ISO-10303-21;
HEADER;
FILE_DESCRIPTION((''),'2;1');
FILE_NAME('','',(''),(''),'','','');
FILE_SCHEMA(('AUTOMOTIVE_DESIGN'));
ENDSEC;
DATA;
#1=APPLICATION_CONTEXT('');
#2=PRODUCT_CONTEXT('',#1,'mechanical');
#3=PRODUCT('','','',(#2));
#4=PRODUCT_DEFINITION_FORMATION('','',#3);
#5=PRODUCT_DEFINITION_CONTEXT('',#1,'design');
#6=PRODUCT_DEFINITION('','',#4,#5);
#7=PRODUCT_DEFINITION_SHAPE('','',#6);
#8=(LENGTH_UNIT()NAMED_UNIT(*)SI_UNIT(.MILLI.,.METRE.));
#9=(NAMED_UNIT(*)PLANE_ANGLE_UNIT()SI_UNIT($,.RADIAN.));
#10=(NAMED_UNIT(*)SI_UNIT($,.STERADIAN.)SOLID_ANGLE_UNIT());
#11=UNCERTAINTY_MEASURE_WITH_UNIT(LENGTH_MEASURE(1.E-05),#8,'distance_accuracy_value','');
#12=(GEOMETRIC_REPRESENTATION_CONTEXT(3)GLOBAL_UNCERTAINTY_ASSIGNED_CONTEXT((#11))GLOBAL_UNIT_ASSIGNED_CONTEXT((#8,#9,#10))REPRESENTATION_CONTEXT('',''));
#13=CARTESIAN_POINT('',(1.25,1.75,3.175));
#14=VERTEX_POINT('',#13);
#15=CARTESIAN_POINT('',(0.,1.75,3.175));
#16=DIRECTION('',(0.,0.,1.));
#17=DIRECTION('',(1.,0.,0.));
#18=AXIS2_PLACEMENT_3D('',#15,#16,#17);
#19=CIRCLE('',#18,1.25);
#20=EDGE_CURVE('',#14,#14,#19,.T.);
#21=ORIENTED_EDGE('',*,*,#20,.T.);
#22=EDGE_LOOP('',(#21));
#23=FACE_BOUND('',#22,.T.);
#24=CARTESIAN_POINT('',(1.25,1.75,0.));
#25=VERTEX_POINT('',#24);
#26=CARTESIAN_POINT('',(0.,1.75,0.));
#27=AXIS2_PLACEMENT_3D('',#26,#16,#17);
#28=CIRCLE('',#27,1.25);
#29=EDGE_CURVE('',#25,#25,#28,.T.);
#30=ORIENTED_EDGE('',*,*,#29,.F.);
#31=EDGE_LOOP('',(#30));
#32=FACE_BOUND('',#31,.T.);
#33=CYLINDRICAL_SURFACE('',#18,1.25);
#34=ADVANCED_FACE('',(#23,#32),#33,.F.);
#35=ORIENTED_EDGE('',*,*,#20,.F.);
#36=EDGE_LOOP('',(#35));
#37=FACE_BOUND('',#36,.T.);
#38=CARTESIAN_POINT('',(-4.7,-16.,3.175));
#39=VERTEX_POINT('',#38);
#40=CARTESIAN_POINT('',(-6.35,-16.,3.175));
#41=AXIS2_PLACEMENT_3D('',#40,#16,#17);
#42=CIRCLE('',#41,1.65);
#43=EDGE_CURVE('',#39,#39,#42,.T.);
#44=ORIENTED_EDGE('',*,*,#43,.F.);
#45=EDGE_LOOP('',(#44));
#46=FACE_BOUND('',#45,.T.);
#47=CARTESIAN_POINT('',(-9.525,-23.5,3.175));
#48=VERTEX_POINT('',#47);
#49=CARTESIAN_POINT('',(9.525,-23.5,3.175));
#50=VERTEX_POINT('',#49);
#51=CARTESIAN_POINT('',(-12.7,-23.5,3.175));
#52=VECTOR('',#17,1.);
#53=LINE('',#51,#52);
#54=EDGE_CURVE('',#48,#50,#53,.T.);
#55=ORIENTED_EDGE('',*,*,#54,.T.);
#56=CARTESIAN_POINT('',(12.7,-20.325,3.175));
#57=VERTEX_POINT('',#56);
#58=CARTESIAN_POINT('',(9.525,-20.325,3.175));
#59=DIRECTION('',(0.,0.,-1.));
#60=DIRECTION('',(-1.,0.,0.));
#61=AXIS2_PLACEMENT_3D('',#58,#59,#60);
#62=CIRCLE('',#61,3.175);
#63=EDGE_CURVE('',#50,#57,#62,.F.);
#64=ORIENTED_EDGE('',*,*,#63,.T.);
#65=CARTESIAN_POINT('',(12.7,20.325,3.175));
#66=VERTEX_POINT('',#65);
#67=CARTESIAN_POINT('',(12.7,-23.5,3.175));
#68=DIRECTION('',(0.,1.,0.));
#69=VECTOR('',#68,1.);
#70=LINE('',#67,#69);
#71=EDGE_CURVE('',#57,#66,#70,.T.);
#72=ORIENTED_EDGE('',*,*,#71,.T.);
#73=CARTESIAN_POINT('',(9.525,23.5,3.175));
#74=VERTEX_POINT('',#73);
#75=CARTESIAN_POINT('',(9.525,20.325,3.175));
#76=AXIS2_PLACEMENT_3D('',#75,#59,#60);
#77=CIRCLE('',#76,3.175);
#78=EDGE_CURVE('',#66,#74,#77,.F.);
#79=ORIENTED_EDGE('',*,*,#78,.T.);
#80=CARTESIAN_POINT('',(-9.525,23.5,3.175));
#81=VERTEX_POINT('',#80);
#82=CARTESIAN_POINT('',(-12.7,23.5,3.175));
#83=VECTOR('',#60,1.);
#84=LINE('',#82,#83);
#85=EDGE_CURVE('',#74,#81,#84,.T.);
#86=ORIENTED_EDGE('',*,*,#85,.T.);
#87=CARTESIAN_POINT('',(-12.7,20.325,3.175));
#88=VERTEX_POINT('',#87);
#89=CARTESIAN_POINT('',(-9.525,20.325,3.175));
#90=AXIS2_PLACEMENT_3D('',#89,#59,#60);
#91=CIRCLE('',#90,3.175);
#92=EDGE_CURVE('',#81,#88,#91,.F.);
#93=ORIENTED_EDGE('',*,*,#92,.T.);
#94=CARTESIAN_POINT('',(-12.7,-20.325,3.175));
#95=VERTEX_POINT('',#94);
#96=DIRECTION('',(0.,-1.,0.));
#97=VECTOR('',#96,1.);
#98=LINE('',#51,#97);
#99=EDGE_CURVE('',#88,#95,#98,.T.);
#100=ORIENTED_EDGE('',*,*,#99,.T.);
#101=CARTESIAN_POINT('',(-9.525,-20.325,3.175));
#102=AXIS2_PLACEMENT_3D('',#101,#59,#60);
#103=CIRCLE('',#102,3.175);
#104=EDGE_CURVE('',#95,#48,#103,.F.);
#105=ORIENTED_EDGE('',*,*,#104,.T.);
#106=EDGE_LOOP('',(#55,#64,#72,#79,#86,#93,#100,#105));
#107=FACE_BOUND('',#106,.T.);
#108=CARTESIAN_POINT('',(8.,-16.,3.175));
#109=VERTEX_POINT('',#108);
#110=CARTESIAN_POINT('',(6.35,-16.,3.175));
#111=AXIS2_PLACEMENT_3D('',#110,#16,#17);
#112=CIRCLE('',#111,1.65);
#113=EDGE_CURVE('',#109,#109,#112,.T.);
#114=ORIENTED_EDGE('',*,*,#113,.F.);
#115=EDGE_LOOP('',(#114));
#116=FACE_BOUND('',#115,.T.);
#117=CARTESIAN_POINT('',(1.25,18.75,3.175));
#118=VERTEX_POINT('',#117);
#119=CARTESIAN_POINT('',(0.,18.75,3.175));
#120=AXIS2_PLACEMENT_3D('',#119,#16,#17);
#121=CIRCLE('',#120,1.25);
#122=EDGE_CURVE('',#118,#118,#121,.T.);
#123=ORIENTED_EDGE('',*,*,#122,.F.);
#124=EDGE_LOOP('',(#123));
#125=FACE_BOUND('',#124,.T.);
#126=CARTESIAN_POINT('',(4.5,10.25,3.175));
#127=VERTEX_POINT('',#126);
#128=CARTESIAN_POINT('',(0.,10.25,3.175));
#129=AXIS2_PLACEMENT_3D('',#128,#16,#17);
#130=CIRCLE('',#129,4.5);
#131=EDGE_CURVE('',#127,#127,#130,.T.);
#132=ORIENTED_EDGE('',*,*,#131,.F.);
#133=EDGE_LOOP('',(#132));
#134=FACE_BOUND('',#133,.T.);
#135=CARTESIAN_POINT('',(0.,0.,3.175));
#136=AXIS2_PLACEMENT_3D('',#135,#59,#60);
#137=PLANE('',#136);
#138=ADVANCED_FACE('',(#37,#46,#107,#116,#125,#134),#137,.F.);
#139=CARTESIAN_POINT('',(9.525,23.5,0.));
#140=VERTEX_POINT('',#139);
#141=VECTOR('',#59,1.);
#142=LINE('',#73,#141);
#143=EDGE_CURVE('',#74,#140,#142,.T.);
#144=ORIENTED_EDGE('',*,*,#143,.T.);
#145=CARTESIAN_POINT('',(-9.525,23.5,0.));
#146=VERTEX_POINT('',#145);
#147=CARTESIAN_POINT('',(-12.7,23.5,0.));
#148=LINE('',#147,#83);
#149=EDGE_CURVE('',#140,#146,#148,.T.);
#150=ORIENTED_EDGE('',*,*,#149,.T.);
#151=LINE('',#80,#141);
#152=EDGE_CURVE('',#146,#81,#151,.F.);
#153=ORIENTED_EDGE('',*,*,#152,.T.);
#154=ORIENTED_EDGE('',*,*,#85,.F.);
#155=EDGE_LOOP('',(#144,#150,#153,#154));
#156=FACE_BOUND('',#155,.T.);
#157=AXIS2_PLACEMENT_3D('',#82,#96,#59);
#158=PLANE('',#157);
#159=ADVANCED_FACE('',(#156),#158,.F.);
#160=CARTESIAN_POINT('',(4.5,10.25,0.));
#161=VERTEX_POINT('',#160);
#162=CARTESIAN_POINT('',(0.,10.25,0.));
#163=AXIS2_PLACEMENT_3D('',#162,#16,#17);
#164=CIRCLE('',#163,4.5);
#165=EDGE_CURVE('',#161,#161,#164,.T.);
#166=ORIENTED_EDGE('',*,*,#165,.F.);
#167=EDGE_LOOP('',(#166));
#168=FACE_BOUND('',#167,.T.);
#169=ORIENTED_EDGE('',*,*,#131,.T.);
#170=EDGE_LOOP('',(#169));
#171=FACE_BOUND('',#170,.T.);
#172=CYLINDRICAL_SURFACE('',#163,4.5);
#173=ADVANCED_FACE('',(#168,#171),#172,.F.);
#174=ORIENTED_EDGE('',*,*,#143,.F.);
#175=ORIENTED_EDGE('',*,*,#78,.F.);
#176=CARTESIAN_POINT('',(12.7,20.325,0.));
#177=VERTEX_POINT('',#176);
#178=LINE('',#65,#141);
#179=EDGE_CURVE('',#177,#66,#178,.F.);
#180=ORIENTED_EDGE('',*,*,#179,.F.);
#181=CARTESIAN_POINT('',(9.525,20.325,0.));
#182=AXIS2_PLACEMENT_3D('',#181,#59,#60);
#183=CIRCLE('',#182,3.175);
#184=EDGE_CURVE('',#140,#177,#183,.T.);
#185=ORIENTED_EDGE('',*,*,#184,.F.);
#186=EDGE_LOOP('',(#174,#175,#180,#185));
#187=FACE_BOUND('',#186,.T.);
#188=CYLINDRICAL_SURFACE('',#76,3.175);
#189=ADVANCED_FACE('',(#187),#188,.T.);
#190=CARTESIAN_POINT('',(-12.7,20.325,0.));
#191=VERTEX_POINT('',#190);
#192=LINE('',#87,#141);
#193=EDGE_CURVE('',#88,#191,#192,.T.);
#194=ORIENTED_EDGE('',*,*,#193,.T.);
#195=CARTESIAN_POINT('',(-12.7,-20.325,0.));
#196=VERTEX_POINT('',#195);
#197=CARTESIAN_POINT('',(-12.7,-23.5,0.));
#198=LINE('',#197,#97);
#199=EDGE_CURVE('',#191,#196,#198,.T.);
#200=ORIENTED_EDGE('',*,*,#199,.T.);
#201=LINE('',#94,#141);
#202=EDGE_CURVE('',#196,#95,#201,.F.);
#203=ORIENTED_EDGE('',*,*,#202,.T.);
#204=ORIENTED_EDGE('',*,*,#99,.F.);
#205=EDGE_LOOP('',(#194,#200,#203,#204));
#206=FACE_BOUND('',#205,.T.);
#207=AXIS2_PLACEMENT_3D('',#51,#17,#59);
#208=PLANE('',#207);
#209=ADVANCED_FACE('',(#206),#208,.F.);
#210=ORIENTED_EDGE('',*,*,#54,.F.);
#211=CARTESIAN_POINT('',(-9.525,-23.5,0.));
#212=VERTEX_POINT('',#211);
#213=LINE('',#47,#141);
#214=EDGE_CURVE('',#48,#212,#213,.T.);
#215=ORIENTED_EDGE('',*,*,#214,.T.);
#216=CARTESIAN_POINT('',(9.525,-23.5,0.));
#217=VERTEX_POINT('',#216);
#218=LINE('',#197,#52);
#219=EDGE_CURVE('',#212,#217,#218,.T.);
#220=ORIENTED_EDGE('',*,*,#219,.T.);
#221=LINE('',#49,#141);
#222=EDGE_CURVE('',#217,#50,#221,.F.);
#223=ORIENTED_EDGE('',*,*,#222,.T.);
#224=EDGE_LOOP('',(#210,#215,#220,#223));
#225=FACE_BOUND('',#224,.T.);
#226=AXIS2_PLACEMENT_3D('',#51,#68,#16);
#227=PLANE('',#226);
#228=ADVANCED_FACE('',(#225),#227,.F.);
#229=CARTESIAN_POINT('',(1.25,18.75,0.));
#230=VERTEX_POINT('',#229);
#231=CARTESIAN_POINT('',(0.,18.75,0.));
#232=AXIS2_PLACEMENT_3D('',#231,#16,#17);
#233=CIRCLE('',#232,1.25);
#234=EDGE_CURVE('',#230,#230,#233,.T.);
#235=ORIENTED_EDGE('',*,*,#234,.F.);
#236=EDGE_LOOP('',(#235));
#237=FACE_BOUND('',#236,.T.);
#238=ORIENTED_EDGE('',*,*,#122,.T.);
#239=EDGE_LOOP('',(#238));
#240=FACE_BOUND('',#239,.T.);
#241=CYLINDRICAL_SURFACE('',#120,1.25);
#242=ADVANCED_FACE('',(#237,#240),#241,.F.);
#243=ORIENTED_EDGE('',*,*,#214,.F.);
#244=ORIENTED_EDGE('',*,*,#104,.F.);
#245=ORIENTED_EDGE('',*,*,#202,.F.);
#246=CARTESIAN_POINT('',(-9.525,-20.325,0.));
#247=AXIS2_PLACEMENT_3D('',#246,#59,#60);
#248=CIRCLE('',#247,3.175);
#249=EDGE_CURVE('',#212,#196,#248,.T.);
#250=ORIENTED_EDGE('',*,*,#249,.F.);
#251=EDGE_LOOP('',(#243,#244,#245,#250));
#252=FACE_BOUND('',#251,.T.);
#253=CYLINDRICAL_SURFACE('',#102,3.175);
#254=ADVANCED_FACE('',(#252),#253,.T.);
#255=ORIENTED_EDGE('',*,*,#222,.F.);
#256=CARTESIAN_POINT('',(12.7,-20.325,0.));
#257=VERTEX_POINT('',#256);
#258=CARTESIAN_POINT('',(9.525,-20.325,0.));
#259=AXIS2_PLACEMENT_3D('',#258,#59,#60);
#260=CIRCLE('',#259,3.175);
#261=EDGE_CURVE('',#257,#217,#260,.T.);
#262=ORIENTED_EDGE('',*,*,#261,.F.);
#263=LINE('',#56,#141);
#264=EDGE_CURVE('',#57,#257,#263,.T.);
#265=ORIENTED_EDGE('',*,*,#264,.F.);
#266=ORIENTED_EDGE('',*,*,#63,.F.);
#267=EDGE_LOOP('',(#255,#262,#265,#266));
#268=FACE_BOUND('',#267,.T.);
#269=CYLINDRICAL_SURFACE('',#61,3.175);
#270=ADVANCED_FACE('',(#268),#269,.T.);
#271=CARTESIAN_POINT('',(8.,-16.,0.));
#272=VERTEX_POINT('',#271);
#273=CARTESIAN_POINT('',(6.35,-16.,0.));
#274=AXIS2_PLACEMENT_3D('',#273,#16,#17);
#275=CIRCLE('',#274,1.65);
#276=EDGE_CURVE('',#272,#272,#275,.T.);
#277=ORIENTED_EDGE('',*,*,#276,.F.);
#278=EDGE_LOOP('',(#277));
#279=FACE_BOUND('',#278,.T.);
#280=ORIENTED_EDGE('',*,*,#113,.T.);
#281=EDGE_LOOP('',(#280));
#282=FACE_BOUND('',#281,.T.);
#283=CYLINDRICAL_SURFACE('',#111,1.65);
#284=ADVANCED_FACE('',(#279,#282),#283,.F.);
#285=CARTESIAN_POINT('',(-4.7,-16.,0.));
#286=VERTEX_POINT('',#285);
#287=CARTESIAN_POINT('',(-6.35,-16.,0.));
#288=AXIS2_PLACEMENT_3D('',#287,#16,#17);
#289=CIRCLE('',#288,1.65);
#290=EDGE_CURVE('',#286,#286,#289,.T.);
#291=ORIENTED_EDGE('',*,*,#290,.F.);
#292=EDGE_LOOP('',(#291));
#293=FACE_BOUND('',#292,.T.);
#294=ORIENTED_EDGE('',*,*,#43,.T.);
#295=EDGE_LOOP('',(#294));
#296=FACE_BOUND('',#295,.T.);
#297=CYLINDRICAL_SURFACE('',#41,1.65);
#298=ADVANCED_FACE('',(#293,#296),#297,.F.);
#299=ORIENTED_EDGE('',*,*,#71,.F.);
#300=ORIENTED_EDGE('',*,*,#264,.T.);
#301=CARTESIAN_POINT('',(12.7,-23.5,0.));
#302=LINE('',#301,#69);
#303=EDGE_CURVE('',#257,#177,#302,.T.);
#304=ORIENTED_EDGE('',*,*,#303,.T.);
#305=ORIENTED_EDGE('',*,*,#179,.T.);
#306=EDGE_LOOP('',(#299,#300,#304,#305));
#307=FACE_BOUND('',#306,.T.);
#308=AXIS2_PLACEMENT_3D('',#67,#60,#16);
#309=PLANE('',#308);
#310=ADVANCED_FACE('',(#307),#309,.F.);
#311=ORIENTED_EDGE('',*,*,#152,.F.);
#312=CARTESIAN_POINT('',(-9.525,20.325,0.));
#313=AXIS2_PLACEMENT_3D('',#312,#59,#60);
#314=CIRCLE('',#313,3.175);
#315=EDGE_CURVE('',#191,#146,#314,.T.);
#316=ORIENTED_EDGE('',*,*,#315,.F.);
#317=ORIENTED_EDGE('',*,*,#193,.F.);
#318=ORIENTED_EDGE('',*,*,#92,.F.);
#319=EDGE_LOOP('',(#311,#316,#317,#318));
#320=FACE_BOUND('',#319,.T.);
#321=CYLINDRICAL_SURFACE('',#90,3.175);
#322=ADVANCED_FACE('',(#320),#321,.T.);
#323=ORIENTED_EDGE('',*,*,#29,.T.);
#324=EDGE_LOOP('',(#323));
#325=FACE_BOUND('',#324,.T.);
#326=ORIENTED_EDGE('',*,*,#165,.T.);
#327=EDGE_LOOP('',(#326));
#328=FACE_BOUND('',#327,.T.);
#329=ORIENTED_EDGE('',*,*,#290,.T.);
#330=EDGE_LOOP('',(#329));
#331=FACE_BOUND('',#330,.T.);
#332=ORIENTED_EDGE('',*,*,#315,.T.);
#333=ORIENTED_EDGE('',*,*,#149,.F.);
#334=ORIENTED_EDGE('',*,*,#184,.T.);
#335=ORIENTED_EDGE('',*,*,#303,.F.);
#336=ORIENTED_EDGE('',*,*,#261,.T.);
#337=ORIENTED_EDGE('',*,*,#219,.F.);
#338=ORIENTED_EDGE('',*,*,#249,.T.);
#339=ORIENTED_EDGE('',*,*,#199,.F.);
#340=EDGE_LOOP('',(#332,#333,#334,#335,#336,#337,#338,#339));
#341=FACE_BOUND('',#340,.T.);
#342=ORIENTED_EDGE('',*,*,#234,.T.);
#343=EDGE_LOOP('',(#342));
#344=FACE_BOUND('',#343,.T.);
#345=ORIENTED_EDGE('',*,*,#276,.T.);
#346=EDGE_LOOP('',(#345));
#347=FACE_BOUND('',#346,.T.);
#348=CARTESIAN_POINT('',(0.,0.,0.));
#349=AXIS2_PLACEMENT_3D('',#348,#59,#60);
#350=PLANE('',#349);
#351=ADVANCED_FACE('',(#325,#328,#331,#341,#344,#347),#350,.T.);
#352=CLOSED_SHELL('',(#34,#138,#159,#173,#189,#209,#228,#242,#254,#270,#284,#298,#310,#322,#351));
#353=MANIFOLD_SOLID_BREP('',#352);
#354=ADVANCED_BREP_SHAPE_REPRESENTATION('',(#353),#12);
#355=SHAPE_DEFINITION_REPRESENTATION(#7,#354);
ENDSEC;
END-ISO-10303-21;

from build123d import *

# Parameters (mm, degrees)
SKETCH1_W             = 25.4
SKETCH1_H             = 47
BOSS_EXTRUDE1_DEPTH   = 3.175
SKETCH2_R             = 4.5
CUT_EXTRUDE1_DEPTH    = 27.90019749
M3X0_5_TAPPED_HOLE1_D = 2.5
FILLET1_R             = 3.175
M4X0_7_TAPPED_HOLE1_D = 3.3


with BuildPart() as part:
    # Sketch1 → Boss-Extrude1 (new body)
    with BuildSketch(Plane.XY):
        Rectangle(SKETCH1_W, SKETCH1_H)
    extrude(amount=BOSS_EXTRUDE1_DEPTH)

    # Sketch2 → Cut-Extrude1 (cut, through all)
    with BuildSketch(Plane.XY.offset(3.175)):
        with Locations((0, 10.25)):
            Circle(SKETCH2_R)
    extrude(amount=-CUT_EXTRUDE1_DEPTH, mode=Mode.SUBTRACT)

    # M3x0.5 Tapped Hole1 (through all)
    with Locations(Plane.XY.offset(3.175)):
        with Locations((0, 18.75), (0, 1.75)):
            Hole(M3X0_5_TAPPED_HOLE1_D / 2)

    # Fillet1
    fillet1_edges = [part.edges().sort_by_distance(p)[0] for p in [
        (12.7, -23.5, 1.5875),
        (-12.7, -23.5, 1.5875),
        (-12.7, 23.5, 1.5875),
        (12.7, 23.5, 1.5875),
    ]]
    fillet(fillet1_edges, radius=FILLET1_R)

    # M4x0.7 Tapped Hole1 (through all)
    with Locations(Plane.XY.offset(3.175)):
        with Locations((-6.35, -16), (6.35, -16)):
            Hole(M4X0_7_TAPPED_HOLE1_D / 2)


solid = part.part
